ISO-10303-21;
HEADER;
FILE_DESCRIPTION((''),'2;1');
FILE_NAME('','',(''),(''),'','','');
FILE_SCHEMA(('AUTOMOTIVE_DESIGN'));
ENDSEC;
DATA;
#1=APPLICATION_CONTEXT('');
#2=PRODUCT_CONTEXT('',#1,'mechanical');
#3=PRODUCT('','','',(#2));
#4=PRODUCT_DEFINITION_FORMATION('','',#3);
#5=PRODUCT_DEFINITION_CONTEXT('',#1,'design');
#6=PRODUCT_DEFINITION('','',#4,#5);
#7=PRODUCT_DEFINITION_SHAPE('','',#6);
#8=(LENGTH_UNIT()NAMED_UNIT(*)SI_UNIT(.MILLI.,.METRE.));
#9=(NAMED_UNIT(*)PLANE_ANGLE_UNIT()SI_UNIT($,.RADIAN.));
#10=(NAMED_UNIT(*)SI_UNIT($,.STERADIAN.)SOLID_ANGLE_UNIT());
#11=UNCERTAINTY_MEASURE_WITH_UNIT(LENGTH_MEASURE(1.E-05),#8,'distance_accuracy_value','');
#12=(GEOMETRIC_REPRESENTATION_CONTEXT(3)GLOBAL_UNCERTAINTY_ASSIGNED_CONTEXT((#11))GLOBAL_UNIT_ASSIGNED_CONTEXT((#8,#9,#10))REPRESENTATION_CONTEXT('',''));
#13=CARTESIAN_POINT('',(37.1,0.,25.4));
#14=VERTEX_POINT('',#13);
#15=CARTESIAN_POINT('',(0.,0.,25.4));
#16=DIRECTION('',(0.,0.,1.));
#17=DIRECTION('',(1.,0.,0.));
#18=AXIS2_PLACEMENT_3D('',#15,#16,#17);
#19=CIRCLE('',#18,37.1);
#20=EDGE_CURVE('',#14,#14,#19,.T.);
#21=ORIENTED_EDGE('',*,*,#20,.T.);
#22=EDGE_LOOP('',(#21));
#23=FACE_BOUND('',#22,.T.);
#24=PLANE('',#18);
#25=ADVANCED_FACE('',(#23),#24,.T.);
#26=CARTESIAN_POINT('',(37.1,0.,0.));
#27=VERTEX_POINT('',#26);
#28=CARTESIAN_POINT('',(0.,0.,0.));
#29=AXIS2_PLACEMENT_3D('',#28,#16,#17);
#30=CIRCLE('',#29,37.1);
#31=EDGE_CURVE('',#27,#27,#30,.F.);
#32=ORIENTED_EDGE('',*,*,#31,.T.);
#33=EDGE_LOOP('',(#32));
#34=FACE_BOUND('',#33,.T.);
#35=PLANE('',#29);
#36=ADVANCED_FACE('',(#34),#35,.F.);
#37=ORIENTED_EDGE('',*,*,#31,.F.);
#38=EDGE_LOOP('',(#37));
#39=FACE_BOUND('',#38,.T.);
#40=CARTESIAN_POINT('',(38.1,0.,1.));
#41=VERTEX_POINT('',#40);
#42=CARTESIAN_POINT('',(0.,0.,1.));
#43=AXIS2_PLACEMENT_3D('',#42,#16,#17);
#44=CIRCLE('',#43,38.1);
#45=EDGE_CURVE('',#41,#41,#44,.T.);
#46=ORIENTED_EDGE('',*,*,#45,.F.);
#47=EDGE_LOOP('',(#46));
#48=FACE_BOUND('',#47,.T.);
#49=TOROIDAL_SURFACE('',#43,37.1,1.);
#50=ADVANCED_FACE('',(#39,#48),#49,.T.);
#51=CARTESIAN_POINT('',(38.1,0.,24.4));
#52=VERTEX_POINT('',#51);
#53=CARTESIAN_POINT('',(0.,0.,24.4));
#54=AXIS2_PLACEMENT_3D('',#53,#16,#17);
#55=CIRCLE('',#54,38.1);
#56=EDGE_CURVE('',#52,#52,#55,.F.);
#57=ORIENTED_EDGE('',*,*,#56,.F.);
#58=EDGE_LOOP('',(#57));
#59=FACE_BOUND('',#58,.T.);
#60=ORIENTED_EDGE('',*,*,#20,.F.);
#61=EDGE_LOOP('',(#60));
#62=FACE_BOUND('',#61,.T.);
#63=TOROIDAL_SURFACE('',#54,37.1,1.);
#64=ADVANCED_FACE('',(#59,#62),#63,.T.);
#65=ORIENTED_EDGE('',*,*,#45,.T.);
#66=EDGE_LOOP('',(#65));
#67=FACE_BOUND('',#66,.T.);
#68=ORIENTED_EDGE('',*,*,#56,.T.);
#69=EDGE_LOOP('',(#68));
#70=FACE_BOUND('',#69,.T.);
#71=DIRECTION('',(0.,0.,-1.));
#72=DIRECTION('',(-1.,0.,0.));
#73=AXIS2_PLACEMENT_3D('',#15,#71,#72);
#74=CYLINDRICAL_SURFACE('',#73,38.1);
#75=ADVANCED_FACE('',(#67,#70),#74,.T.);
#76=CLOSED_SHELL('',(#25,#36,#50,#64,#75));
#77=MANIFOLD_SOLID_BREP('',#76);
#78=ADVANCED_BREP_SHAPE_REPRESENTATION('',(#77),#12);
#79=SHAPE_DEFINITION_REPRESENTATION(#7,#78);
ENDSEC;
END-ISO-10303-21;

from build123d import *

# Parameters (mm, degrees)
ESQUISSE1_R        = 38.1
BOSS_EXTRU_1_DEPTH = 25.4
CONG_1_R           = 1


with BuildPart() as part:
    # Esquisse1 → Boss.-Extru.1 (new body)
    with BuildSketch(Plane.XY):
        Circle(ESQUISSE1_R)
    extrude(amount=BOSS_EXTRU_1_DEPTH)

    # Congé1
    cong_1_edges = [part.edges().sort_by_distance(p)[0] for p in [
        (-38.1, 0, 0),
        (-38.1, 0, 25.4),
    ]]
    fillet(cong_1_edges, radius=CONG_1_R)


solid = part.part
